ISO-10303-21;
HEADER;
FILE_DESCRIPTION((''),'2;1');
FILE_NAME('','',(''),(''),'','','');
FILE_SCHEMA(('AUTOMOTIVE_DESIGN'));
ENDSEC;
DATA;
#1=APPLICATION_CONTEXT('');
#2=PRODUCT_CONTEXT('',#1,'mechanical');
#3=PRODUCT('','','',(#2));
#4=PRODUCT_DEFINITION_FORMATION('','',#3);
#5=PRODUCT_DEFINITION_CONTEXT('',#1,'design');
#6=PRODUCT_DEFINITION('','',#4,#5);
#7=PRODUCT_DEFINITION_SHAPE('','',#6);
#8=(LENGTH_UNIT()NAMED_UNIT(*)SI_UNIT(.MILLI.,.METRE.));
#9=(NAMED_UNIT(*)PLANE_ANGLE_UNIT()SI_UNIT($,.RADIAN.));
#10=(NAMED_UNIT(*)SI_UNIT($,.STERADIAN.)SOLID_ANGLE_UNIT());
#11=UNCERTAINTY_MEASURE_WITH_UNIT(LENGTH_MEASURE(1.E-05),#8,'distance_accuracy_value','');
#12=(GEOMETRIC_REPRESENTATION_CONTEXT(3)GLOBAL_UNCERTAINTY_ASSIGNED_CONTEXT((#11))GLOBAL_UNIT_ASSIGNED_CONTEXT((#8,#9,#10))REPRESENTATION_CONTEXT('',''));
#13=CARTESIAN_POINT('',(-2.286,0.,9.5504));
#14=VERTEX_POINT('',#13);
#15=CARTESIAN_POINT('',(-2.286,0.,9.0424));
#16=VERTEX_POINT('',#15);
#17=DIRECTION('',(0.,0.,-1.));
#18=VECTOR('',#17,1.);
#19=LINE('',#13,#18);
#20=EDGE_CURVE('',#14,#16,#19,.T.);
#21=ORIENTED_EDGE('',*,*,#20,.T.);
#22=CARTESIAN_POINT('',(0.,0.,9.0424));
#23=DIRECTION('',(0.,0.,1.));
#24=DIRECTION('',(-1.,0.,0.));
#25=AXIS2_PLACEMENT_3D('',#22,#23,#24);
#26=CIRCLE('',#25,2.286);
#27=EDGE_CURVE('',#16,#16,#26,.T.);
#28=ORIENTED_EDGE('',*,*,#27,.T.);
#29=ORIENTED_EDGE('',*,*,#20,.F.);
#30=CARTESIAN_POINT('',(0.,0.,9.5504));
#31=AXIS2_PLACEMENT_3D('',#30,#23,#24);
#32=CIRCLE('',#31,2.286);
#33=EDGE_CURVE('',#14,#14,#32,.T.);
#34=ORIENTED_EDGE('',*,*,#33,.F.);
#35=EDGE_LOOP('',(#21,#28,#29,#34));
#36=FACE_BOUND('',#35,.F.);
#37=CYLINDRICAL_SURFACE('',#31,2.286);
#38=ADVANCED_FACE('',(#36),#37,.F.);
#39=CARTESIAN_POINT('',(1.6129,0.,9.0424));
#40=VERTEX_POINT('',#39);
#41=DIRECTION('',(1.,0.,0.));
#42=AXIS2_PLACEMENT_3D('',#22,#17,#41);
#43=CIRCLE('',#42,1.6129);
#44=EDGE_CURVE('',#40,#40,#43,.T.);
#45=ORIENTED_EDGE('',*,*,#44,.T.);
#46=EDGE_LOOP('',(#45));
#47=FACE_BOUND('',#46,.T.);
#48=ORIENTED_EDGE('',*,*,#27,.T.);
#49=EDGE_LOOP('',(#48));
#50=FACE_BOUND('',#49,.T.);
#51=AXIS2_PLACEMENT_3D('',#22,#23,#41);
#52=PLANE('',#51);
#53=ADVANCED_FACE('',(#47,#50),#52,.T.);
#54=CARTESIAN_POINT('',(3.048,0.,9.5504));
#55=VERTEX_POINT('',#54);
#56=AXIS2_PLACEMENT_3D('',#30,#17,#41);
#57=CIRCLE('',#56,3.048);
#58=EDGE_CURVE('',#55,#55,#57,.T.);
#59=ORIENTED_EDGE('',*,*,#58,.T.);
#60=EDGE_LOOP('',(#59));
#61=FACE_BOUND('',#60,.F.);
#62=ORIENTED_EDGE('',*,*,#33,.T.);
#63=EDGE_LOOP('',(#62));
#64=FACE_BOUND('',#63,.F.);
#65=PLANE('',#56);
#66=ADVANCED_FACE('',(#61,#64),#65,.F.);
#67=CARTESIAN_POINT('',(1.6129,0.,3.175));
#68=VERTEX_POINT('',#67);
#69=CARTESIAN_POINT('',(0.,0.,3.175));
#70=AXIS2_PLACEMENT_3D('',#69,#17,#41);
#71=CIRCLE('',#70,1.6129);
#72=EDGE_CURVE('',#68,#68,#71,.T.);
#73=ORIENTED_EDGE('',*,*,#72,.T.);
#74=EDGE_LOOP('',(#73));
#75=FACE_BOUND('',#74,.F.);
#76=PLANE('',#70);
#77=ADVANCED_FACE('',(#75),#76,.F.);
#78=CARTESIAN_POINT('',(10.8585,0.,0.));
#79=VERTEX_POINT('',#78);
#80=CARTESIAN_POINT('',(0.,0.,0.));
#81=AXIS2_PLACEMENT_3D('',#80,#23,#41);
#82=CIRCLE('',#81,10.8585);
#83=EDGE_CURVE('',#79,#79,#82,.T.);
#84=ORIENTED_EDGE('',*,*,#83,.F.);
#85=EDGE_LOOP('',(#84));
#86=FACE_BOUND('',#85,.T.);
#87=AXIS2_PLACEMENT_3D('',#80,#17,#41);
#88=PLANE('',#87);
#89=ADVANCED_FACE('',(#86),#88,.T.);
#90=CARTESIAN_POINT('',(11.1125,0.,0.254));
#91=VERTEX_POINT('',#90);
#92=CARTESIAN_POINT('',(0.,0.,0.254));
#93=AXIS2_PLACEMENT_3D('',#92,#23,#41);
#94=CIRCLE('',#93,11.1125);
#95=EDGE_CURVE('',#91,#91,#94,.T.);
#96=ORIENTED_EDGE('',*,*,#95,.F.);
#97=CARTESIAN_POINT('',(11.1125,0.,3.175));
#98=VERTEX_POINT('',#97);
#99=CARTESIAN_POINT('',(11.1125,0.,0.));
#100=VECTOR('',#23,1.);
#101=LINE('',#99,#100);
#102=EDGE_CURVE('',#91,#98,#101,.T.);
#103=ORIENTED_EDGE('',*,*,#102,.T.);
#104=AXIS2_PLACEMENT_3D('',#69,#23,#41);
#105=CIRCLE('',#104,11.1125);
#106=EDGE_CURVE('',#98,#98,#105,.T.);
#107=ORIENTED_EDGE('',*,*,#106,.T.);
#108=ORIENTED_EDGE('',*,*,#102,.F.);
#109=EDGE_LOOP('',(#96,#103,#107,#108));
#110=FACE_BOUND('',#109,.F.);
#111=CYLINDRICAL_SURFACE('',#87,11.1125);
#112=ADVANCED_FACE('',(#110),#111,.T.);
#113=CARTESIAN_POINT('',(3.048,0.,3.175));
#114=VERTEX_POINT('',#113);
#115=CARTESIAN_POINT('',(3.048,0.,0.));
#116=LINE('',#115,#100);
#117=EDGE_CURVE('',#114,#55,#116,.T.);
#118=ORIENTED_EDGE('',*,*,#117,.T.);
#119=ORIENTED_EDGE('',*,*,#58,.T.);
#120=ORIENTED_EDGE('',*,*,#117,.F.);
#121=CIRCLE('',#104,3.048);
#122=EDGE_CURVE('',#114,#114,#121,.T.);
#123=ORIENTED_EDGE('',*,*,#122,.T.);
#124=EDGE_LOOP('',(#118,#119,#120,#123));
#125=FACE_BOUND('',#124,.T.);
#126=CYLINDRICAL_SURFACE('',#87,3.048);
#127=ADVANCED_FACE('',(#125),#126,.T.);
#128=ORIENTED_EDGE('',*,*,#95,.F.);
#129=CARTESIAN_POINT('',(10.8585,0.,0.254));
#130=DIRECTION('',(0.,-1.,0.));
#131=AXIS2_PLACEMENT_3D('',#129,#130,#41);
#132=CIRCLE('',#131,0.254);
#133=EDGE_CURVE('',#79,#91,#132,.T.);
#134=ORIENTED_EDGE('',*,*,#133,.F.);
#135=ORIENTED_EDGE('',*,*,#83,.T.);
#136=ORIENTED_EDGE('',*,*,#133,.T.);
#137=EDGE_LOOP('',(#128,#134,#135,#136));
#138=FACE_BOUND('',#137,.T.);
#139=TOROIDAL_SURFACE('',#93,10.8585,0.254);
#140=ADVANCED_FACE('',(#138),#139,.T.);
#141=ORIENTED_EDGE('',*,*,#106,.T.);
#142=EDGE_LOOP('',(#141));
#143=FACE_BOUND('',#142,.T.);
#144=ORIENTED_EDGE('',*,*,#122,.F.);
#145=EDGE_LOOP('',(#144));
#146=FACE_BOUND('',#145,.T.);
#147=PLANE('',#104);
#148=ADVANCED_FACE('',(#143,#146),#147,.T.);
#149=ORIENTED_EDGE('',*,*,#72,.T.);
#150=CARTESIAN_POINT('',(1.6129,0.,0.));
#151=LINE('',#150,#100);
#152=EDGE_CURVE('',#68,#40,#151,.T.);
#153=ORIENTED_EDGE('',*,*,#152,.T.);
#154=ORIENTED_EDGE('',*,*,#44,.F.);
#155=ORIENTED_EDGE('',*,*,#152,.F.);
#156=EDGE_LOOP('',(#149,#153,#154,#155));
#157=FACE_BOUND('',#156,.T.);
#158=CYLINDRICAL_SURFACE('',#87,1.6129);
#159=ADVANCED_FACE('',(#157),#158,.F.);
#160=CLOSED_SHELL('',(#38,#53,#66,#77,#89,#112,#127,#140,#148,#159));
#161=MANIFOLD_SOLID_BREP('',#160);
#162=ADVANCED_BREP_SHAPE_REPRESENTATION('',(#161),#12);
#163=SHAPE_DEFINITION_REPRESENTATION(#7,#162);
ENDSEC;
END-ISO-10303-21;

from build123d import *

# Parameters (mm, degrees)
F0_R     = 11.1125
F0_R_2   = 3.048
F1_DEPTH = 3.175
F3_R     = 3.048
F4_DEPTH = 9.5504
F2_R     = 1.6129
F5_DEPTH = 25.4
F6_R     = 1.6129
F7_DEPTH = 3.175
F9_DEPTH = 0.508
F10_R    = 0.254


with BuildPart() as f1:
    # F0 (on Top) → F1 (new body)
    with BuildSketch(Plane.XY):
        Circle(F0_R)
        Circle(F0_R_2, mode=Mode.SUBTRACT)
    extrude(amount=F1_DEPTH)

    # F3 (on face) → F4 (join)
    with BuildSketch(Plane(origin=(0, 0, 0), x_dir=(1, 0, 0), z_dir=(0, 0, -1))):
        Circle(F3_R)
    extrude(amount=-F4_DEPTH)

    # F2 (on Top) → F5 (cut)
    with BuildSketch(Plane.XY):
        Circle(F2_R)
    extrude(amount=F5_DEPTH, mode=Mode.SUBTRACT)

    # F6 (on face) → F7 (join)
    with BuildSketch(Plane(origin=(0, 0, 0), x_dir=(1, 0, 0), z_dir=(0, 0, -1))):
        Circle(F6_R)
    extrude(amount=-F7_DEPTH)

    # F8 (on face) → F9 (cut)
    with BuildSketch(Plane.XY.offset(9.5504)):
        with BuildLine():
            ThreePointArc((2.286, 0), (0, 2.286), (-2.286, 0))
            ThreePointArc((-2.286, 0), (0, -2.286), (2.286, 0))
        make_face()
    extrude(amount=-F9_DEPTH, mode=Mode.SUBTRACT)

    # F10
    f10_edges = [f1.edges().sort_by_distance(p)[0] for p in [
        (-11.1125, 0, 0),
    ]]
    fillet(f10_edges, radius=F10_R)


solid = f1.part
